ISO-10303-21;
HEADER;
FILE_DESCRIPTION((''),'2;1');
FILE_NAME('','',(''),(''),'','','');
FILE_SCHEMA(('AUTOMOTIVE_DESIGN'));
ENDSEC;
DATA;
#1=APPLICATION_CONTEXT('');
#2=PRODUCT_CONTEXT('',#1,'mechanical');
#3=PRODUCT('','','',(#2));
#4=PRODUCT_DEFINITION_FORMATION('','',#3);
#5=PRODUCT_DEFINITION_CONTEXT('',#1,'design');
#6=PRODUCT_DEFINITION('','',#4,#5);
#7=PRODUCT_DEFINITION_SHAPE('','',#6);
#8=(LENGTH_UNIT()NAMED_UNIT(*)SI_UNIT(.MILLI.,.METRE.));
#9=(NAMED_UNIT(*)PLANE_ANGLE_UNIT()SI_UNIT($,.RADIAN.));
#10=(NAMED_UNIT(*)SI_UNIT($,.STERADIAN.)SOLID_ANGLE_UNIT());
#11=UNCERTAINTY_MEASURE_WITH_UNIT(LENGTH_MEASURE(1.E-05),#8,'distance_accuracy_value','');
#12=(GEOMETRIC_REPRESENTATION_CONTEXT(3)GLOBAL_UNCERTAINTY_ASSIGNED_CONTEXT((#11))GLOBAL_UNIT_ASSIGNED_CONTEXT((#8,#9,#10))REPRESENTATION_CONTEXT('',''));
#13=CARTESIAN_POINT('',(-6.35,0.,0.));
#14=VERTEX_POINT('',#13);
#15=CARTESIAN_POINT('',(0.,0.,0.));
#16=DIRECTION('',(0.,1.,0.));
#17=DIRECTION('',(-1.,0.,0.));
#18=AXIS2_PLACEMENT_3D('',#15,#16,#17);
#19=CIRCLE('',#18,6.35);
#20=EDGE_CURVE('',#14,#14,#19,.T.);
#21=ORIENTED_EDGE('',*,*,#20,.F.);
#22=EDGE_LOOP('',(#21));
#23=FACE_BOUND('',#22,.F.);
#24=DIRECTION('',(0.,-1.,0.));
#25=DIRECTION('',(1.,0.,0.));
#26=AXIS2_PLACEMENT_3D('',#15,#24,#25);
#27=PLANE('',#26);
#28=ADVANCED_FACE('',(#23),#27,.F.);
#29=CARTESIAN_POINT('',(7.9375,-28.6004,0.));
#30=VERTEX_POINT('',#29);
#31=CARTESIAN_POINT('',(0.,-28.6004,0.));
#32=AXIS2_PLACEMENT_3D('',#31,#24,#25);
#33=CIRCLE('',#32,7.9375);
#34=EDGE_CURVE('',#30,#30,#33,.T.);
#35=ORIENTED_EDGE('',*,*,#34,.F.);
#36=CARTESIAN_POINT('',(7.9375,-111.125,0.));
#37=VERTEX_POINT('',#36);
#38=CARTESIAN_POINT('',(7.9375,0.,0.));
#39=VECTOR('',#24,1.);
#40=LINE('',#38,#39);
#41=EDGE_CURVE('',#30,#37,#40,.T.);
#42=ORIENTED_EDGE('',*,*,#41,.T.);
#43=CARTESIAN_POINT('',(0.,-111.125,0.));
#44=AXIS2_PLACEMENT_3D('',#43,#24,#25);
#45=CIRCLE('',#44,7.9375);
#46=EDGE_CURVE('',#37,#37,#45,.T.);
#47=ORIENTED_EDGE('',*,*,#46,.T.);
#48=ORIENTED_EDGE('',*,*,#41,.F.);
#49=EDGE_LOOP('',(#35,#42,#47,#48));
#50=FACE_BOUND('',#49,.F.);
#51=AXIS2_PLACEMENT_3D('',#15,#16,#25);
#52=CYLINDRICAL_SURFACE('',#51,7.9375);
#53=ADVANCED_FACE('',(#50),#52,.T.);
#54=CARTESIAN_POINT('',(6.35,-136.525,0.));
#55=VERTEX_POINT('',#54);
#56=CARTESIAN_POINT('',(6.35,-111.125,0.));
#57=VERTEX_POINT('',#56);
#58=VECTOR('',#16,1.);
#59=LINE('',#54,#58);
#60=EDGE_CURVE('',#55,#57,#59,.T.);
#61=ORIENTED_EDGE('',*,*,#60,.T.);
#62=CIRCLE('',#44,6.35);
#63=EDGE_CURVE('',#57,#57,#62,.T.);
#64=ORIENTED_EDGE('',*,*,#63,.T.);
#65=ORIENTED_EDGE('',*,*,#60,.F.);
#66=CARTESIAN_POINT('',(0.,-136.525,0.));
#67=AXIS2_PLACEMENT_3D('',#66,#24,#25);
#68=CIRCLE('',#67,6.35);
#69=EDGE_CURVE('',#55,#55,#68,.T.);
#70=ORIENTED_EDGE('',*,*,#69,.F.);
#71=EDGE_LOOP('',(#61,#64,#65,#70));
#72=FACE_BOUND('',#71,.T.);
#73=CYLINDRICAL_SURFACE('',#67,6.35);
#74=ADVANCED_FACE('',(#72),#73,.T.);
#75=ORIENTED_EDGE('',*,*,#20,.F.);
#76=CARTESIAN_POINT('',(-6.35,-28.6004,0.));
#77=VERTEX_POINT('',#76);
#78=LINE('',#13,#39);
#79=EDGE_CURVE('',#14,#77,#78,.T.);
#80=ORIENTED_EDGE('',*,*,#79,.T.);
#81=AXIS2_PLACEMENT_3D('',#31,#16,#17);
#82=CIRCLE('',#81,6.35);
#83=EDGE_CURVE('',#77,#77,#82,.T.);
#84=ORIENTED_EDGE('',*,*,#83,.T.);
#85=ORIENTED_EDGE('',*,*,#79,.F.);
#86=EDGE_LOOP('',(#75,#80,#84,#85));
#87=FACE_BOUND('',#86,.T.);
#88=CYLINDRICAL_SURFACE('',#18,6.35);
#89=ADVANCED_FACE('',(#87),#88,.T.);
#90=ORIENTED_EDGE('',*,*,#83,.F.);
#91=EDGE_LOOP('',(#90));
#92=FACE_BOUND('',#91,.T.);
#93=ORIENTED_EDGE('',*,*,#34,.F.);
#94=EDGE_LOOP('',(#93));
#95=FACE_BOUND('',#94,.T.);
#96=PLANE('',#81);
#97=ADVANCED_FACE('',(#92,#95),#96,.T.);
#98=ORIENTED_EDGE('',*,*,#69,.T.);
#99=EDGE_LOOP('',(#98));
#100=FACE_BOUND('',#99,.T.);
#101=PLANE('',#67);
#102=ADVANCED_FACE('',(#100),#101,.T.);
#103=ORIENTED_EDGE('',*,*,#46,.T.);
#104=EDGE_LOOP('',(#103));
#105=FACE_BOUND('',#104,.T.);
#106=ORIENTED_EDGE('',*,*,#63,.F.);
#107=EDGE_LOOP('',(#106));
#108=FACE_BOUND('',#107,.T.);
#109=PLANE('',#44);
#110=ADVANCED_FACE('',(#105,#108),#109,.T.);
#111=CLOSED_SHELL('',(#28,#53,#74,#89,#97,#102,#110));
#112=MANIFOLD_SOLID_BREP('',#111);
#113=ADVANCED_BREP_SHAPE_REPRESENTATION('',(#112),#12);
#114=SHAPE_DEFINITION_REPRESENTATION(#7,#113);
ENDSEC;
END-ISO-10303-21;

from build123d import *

# Parameters (mm, degrees)
F0_R     = 7.9375
F1_DEPTH = 136.525
F2_R     = 7.9375
F2_R_2   = 6.35
F3_DEPTH = 25.4
F4_R     = 7.9375
F4_R_2   = 6.35
F5_DEPTH = 28.6004


with BuildPart() as f1:
    # F0 (on Front) → F1 (new body)
    with BuildSketch(Plane.XZ):
        Circle(F0_R)
    extrude(amount=F1_DEPTH)

    # F2 (on face) → F3 (cut)
    with BuildSketch(Plane.XZ.offset(136.525)):
        Circle(F2_R)
        Circle(F2_R_2, mode=Mode.SUBTRACT)
    extrude(amount=-F3_DEPTH, mode=Mode.SUBTRACT)

    # F4 (on face) → F5 (cut)
    with BuildSketch(Plane(origin=(0, 0, 0), x_dir=(-1, 0, 0), z_dir=(0, 1, 0))):
        Circle(F4_R)
        Circle(F4_R_2, mode=Mode.SUBTRACT)
    extrude(amount=-F5_DEPTH, mode=Mode.SUBTRACT)


solid = f1.part
